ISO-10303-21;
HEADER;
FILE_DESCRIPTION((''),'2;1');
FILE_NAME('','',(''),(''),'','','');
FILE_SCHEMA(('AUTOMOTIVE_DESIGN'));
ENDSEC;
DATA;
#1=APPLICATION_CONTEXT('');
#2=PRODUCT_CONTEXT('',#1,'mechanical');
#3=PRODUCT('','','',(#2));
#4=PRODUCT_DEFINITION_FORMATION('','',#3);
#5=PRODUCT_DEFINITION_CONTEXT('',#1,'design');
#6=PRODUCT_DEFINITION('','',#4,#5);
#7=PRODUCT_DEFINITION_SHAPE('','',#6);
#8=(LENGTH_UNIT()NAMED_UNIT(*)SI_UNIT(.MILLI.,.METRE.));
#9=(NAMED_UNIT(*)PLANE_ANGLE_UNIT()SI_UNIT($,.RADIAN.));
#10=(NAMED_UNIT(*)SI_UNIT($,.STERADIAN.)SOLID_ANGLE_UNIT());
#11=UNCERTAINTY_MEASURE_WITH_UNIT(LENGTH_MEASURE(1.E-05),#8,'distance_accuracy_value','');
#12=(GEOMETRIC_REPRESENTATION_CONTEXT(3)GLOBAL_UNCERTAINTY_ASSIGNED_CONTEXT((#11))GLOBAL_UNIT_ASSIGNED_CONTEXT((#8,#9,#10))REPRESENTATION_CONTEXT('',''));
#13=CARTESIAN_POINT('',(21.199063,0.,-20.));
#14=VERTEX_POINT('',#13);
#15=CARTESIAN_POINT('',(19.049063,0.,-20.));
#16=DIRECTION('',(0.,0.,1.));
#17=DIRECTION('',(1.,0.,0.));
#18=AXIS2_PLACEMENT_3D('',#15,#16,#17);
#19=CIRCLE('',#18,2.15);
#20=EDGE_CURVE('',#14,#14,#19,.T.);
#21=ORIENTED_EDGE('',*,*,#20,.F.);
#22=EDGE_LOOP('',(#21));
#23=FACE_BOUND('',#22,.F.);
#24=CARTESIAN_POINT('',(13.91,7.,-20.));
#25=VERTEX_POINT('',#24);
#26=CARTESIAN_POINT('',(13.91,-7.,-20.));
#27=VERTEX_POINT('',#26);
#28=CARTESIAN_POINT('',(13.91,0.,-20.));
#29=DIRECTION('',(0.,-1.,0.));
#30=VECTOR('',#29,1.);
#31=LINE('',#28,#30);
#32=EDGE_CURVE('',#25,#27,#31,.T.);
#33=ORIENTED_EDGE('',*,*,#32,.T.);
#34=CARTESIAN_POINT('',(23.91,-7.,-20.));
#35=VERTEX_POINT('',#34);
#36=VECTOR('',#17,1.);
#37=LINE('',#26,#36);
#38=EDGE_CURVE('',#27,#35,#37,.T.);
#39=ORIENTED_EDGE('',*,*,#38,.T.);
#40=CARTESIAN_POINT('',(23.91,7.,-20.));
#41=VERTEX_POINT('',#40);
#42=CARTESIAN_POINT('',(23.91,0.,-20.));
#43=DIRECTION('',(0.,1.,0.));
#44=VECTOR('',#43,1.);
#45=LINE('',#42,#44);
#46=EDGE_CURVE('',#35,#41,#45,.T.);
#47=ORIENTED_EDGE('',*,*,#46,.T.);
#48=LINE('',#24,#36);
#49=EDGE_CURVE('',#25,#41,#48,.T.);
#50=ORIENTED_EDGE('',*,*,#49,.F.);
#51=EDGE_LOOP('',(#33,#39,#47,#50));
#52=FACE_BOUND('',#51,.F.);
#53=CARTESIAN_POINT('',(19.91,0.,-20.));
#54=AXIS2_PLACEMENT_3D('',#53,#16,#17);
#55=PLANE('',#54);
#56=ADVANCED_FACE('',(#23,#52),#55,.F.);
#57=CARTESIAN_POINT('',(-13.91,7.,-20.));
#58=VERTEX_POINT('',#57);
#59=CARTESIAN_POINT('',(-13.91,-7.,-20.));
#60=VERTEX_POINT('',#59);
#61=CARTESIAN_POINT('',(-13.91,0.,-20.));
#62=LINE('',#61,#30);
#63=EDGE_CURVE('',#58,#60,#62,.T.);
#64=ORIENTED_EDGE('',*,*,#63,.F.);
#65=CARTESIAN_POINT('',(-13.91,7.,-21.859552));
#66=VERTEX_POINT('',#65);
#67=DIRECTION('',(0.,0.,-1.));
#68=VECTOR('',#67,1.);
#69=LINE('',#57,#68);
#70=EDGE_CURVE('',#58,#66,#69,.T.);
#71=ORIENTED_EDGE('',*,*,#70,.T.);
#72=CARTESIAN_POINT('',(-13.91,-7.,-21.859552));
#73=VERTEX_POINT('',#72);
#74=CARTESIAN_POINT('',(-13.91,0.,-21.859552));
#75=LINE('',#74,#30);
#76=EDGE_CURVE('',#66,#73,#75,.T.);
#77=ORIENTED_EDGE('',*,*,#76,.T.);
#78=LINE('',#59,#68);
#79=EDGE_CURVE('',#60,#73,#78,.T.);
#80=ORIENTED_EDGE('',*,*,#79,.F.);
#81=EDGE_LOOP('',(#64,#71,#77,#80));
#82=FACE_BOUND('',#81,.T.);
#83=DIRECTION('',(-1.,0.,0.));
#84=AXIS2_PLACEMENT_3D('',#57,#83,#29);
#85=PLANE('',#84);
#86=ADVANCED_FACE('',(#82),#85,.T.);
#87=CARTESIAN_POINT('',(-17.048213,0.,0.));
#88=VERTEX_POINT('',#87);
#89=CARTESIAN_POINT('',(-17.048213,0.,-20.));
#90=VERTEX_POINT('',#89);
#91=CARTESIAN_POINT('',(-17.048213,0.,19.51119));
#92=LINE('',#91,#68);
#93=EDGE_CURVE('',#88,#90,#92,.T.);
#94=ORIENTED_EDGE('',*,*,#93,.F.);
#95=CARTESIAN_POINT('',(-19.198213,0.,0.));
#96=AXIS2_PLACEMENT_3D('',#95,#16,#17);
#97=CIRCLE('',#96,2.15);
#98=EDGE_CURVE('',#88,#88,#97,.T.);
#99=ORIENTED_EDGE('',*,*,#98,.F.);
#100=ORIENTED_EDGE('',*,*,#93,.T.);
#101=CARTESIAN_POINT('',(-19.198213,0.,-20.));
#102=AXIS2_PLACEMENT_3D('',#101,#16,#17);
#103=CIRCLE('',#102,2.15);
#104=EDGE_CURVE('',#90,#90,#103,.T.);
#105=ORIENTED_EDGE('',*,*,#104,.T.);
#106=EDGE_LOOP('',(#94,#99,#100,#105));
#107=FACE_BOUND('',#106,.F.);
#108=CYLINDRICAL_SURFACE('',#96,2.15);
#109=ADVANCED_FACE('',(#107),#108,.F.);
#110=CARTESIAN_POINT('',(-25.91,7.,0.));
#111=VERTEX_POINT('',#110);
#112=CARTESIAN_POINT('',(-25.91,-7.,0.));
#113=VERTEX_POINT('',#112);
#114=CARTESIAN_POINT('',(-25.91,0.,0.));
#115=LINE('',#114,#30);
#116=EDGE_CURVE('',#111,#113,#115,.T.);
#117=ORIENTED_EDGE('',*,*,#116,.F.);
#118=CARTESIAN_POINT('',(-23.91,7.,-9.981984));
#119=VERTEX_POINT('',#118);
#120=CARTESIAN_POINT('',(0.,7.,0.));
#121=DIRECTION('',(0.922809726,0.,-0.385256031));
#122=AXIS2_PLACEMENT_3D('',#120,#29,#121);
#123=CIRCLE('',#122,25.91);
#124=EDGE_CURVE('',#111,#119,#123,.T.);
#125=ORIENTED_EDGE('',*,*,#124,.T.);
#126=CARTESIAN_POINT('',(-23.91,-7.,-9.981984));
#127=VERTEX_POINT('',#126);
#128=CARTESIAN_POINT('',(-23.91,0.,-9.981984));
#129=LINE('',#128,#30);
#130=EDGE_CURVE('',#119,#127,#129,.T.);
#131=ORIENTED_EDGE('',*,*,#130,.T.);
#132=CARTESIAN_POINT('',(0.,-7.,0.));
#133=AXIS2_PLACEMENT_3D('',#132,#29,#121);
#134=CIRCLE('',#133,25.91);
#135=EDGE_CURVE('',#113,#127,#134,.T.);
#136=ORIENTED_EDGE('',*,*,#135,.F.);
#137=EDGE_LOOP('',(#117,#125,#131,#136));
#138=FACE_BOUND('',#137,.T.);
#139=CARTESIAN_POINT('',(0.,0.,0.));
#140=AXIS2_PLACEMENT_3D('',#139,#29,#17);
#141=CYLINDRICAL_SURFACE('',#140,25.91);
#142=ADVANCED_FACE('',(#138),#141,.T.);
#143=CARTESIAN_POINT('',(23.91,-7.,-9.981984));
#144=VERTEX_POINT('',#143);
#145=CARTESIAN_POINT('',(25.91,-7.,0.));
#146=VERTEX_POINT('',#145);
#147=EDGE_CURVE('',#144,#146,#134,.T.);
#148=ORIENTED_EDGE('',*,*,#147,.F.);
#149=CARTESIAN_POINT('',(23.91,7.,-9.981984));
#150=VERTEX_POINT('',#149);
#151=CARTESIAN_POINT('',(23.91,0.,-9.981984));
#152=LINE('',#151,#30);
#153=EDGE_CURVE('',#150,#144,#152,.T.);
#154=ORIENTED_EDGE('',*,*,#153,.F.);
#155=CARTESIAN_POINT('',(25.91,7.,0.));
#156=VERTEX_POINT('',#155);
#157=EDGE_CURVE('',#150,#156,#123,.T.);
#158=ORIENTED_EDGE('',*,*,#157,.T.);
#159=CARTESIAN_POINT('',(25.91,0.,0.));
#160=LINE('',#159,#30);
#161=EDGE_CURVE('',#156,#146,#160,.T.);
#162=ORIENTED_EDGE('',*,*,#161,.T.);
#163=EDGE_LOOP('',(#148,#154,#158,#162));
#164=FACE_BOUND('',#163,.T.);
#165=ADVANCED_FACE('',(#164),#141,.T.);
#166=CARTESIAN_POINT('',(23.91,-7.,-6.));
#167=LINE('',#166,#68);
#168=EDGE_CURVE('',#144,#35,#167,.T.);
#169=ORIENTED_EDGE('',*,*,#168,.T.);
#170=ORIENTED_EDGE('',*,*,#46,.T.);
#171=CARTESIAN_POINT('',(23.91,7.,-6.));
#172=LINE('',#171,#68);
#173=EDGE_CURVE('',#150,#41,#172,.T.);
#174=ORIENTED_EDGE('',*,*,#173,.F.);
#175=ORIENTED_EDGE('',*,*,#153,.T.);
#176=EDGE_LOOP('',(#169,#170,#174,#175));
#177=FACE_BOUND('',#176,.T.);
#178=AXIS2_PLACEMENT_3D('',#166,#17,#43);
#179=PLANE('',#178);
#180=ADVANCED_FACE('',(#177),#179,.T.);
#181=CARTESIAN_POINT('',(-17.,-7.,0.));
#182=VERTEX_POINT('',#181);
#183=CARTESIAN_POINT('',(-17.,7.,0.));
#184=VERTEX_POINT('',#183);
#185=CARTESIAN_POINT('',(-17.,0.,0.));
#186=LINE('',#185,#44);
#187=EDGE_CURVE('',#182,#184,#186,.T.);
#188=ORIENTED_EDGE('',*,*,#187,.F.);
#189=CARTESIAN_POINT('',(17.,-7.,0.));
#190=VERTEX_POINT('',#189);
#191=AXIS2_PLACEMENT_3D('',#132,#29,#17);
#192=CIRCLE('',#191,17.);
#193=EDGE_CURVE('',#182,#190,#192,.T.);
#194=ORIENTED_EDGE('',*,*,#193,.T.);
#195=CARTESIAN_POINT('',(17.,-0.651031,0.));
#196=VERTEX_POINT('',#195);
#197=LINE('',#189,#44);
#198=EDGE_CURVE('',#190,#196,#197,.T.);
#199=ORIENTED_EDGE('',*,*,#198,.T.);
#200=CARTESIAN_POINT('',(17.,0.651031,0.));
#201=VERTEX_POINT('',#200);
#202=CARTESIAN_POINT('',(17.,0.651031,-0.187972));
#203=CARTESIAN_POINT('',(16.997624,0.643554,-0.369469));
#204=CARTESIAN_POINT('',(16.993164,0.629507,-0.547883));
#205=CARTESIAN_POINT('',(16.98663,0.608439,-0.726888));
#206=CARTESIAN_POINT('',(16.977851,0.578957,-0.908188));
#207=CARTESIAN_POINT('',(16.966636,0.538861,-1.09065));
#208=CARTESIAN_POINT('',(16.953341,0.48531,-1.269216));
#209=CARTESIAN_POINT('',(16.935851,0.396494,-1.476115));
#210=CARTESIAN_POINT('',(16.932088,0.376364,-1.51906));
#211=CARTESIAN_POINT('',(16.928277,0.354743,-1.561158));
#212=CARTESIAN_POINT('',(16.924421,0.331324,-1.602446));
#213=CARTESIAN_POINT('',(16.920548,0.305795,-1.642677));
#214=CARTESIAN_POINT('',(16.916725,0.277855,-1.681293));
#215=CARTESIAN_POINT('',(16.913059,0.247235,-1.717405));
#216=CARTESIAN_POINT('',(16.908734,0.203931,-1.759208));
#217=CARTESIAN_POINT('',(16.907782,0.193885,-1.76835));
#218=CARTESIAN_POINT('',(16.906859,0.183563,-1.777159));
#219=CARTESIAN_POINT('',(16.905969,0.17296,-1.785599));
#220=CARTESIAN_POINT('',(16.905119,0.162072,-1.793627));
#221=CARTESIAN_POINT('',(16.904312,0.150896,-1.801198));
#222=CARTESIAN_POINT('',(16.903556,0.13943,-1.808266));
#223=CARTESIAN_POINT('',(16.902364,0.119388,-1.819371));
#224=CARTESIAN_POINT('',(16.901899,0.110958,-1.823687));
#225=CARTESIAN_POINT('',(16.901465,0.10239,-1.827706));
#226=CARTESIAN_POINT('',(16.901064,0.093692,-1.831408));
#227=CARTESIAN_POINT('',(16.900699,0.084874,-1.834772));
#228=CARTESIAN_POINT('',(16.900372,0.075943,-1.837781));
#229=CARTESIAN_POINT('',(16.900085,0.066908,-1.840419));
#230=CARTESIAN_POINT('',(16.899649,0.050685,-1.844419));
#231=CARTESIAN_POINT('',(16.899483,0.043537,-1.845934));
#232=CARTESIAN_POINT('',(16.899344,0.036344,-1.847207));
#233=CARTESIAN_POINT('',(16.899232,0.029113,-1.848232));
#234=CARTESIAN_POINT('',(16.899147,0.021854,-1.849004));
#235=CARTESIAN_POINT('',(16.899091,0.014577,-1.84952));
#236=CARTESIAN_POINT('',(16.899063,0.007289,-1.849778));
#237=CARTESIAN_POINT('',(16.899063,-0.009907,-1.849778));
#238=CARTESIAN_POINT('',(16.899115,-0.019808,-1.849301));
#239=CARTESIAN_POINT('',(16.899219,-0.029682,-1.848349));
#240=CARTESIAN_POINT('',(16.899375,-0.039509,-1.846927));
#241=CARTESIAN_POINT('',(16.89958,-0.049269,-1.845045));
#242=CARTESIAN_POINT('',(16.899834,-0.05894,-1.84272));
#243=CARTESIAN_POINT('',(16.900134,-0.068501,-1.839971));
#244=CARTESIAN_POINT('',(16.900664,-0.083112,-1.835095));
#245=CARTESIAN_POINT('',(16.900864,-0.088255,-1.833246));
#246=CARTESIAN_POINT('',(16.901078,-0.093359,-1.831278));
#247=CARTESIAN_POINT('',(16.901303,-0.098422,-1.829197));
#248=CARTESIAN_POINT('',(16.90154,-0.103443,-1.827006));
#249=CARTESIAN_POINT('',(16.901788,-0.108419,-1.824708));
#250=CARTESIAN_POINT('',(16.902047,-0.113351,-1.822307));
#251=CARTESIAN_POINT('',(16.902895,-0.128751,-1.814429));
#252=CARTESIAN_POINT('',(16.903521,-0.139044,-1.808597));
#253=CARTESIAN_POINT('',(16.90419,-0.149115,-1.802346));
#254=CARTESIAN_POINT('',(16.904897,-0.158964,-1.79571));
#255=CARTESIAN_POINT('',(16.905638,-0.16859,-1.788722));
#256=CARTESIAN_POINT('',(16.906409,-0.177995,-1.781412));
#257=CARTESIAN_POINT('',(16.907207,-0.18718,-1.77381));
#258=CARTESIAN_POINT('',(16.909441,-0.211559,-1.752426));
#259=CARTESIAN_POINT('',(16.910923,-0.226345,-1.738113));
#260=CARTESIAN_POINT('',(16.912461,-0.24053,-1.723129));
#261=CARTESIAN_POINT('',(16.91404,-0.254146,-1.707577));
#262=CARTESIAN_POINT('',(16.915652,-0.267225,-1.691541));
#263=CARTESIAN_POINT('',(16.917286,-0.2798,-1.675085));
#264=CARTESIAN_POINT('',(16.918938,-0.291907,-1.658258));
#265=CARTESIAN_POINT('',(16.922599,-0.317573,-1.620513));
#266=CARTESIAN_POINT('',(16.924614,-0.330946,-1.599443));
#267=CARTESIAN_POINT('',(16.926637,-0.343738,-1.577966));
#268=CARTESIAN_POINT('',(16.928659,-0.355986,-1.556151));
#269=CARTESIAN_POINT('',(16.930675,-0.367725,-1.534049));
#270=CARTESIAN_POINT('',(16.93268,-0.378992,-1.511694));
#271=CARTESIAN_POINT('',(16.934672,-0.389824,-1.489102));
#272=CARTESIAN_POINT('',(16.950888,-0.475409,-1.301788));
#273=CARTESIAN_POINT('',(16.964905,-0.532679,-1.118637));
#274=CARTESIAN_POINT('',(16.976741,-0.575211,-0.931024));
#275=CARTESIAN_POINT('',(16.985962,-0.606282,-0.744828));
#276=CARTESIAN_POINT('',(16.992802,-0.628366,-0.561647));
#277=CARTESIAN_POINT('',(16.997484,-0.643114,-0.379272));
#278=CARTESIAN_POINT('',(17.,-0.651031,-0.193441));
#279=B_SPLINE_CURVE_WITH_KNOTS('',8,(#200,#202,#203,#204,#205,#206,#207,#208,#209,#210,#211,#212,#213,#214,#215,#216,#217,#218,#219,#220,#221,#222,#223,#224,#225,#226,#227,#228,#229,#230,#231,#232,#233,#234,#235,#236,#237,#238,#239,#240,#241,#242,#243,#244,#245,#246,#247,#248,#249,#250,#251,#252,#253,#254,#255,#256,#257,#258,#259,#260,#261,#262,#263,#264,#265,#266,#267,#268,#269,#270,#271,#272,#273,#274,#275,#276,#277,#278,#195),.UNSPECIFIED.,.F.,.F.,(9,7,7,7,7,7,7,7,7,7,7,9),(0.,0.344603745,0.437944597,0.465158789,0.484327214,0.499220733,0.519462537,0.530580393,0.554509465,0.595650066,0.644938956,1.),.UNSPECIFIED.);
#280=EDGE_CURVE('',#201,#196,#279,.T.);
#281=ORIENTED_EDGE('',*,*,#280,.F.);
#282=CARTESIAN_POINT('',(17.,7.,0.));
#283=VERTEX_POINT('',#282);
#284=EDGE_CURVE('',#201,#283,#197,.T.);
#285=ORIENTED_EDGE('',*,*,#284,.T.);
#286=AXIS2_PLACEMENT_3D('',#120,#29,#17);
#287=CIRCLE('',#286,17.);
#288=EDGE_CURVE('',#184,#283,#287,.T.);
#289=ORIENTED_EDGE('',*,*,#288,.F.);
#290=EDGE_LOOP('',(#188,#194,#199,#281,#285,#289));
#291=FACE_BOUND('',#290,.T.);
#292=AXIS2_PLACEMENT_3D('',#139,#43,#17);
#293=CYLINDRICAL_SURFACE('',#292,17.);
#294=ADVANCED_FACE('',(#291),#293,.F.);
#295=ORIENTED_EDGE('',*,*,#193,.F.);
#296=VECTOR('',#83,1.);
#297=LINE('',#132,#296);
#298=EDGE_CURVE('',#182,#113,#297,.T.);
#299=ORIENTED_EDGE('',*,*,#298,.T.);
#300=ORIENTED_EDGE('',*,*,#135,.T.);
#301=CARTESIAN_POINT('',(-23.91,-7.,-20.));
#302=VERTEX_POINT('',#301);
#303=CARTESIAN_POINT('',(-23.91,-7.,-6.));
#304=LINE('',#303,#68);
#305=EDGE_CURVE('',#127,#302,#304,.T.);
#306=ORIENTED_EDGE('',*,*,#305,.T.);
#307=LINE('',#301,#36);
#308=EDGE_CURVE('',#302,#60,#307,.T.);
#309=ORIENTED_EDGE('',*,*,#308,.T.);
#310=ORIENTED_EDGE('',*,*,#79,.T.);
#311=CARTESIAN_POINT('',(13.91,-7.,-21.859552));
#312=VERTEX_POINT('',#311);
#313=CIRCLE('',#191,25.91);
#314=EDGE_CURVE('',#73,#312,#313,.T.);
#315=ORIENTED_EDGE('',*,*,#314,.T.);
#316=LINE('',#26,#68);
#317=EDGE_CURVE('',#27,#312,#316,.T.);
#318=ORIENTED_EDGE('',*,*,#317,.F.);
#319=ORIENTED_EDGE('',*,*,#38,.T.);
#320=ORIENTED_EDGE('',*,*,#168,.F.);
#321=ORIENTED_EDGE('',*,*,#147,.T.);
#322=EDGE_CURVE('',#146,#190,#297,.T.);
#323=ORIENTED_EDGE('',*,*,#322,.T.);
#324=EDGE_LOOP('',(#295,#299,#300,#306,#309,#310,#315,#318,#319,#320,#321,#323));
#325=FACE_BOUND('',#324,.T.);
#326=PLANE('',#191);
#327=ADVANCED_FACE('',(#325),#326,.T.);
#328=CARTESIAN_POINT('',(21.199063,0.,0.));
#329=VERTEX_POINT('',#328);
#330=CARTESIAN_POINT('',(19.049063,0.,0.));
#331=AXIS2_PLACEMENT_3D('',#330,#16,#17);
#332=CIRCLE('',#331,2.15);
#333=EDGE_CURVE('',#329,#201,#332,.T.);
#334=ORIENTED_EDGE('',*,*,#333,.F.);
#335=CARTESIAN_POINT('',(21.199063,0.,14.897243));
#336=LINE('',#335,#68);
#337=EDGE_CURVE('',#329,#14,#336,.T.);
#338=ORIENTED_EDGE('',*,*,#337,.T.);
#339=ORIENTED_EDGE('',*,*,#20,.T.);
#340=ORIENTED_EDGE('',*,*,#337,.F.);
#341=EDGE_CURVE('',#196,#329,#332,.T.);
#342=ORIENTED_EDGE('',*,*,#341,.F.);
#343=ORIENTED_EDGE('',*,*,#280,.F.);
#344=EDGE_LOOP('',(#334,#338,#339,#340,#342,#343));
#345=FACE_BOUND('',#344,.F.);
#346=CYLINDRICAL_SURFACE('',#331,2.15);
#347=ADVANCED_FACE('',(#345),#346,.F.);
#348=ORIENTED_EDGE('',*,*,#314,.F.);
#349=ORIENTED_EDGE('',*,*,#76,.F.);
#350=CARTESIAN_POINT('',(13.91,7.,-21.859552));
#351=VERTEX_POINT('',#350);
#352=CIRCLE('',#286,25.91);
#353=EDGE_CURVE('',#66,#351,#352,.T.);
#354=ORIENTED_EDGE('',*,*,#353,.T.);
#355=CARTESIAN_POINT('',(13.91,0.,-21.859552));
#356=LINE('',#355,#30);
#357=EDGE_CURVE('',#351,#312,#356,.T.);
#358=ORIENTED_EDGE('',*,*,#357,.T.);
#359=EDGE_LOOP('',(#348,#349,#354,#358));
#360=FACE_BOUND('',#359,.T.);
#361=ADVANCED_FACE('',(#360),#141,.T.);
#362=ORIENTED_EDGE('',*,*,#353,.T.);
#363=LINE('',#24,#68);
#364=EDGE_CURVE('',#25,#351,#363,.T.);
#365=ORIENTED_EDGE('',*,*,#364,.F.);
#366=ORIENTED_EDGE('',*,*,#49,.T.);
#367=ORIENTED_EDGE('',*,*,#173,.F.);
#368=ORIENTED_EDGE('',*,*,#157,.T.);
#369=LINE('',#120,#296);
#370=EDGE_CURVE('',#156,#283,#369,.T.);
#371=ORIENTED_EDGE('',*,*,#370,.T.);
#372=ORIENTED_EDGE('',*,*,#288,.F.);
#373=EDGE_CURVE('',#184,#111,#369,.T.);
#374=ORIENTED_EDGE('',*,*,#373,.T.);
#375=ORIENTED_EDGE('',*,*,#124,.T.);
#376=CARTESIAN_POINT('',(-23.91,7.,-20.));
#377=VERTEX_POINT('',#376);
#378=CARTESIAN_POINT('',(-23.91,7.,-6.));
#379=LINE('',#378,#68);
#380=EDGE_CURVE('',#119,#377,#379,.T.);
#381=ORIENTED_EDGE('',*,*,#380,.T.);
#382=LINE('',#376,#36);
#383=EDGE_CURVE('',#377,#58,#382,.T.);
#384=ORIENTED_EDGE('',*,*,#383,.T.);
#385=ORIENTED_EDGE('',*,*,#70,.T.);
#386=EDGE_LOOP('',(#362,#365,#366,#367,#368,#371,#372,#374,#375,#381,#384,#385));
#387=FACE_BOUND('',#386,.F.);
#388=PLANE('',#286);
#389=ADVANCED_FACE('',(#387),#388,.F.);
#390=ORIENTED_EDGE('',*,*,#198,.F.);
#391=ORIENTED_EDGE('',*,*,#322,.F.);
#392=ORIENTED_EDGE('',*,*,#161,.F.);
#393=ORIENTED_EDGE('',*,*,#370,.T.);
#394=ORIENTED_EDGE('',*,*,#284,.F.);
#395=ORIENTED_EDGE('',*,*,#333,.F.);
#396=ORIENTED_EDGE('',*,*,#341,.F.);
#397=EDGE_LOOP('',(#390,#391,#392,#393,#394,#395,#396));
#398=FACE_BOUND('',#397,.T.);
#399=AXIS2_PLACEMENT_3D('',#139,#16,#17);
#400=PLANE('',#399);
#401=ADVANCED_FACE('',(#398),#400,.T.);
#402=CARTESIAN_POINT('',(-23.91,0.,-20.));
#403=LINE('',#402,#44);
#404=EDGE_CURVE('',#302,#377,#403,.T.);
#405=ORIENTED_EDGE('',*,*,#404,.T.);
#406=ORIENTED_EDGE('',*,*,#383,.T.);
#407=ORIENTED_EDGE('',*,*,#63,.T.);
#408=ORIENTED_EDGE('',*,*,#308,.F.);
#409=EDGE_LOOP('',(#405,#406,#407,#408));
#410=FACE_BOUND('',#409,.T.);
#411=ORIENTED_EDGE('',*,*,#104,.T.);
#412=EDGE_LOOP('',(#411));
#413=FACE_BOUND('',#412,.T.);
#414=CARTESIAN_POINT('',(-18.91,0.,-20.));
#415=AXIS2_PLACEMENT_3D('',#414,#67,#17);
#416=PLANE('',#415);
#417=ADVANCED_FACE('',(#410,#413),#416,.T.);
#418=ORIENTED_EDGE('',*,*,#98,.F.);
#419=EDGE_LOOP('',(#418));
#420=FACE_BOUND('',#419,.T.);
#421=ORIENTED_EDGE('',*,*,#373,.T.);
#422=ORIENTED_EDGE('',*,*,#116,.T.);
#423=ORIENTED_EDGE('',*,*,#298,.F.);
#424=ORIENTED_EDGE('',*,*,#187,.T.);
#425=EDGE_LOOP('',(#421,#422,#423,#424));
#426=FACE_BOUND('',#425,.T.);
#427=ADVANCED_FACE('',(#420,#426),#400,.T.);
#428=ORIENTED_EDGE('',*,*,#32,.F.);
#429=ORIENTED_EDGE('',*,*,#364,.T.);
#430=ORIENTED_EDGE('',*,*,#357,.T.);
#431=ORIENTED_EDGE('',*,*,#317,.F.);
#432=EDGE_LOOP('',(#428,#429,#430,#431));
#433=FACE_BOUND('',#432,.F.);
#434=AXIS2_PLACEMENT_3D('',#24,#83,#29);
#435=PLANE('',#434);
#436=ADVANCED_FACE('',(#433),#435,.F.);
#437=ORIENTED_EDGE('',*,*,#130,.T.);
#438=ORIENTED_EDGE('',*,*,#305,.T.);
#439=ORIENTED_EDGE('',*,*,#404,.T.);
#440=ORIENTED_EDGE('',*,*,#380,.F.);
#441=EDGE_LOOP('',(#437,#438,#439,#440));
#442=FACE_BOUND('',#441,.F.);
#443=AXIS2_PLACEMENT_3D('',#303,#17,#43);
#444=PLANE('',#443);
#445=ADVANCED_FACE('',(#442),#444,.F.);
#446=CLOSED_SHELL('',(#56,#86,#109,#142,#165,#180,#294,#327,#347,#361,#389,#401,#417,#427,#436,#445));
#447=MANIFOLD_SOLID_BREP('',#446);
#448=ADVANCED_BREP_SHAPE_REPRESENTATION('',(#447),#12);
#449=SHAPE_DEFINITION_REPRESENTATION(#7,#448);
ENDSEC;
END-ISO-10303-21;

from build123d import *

# Parameters (mm, degrees)
F0_R          = 25.91
F1_DEPTH      = 7
F1_DEPTH_BACK = 7
F2_R          = 17
F3_DEPTH      = 7
F3_DEPTH_BACK = 7
F6_START      = -6
F5_W          = 8
F5_H          = 14
F6_DEPTH      = 14
F7_R          = 2.15
F8_DEPTH      = 30
F8_DEPTH_BACK = 30
F9_W          = 10
F9_H          = 14
F10_DEPTH     = 10
F11_W         = 75.513869524
F11_H         = 46.2215282023
F12_DEPTH     = 30


with BuildPart() as f1:
    # F0 (on Front) → F1 (new body, two sides)
    with BuildSketch(Plane.XZ) as f1_sk:
        Circle(F0_R)
    extrude(amount=F1_DEPTH)
    extrude(f1_sk.sketch, amount=-F1_DEPTH_BACK)

    # F2 (on Front) → F3 (cut, two sides)
    with BuildSketch(Plane.XZ) as f3_sk:
        Circle(F2_R)
    extrude(amount=-F3_DEPTH, mode=Mode.SUBTRACT)
    extrude(f3_sk.sketch, amount=F3_DEPTH_BACK, mode=Mode.SUBTRACT)

    # F5 (on face) → F6 (join)
    with BuildSketch(Plane.XY.offset(F6_START)):
        with Locations((-19.91, 0)):
            Rectangle(F5_W, F5_H)
        with Locations((19.91, 0)):
            Rectangle(F5_W, F5_H)
    extrude(amount=-F6_DEPTH)

    # F7 (on face) → F8 (cut, two sides)
    with BuildSketch(Plane.XY) as f8_sk:
        with Locations((-19.1982129737, 0)):
            Circle(F7_R)
        with Locations((19.0490627756, 0)):
            Circle(F7_R)
    extrude(amount=F8_DEPTH, mode=Mode.SUBTRACT)
    extrude(f8_sk.sketch, amount=-F8_DEPTH_BACK, mode=Mode.SUBTRACT)

    # F9 (on face) → F10 (cut)
    with BuildSketch(Plane(origin=(0, 0, -20), x_dir=(1, 0, 0), z_dir=(0, 0, -1))):
        with Locations((-18.91, 0)):
            Rectangle(F9_W, F9_H)
        with Locations((18.91, 0)):
            Rectangle(F9_W, F9_H)
    extrude(amount=F10_DEPTH, mode=Mode.SUBTRACT)

    # F11 (on face) → F12 (cut)
    with BuildSketch(Plane.XY):
        Rectangle(F11_W, F11_H)
    extrude(amount=F12_DEPTH, mode=Mode.SUBTRACT)


solid = f1.part
